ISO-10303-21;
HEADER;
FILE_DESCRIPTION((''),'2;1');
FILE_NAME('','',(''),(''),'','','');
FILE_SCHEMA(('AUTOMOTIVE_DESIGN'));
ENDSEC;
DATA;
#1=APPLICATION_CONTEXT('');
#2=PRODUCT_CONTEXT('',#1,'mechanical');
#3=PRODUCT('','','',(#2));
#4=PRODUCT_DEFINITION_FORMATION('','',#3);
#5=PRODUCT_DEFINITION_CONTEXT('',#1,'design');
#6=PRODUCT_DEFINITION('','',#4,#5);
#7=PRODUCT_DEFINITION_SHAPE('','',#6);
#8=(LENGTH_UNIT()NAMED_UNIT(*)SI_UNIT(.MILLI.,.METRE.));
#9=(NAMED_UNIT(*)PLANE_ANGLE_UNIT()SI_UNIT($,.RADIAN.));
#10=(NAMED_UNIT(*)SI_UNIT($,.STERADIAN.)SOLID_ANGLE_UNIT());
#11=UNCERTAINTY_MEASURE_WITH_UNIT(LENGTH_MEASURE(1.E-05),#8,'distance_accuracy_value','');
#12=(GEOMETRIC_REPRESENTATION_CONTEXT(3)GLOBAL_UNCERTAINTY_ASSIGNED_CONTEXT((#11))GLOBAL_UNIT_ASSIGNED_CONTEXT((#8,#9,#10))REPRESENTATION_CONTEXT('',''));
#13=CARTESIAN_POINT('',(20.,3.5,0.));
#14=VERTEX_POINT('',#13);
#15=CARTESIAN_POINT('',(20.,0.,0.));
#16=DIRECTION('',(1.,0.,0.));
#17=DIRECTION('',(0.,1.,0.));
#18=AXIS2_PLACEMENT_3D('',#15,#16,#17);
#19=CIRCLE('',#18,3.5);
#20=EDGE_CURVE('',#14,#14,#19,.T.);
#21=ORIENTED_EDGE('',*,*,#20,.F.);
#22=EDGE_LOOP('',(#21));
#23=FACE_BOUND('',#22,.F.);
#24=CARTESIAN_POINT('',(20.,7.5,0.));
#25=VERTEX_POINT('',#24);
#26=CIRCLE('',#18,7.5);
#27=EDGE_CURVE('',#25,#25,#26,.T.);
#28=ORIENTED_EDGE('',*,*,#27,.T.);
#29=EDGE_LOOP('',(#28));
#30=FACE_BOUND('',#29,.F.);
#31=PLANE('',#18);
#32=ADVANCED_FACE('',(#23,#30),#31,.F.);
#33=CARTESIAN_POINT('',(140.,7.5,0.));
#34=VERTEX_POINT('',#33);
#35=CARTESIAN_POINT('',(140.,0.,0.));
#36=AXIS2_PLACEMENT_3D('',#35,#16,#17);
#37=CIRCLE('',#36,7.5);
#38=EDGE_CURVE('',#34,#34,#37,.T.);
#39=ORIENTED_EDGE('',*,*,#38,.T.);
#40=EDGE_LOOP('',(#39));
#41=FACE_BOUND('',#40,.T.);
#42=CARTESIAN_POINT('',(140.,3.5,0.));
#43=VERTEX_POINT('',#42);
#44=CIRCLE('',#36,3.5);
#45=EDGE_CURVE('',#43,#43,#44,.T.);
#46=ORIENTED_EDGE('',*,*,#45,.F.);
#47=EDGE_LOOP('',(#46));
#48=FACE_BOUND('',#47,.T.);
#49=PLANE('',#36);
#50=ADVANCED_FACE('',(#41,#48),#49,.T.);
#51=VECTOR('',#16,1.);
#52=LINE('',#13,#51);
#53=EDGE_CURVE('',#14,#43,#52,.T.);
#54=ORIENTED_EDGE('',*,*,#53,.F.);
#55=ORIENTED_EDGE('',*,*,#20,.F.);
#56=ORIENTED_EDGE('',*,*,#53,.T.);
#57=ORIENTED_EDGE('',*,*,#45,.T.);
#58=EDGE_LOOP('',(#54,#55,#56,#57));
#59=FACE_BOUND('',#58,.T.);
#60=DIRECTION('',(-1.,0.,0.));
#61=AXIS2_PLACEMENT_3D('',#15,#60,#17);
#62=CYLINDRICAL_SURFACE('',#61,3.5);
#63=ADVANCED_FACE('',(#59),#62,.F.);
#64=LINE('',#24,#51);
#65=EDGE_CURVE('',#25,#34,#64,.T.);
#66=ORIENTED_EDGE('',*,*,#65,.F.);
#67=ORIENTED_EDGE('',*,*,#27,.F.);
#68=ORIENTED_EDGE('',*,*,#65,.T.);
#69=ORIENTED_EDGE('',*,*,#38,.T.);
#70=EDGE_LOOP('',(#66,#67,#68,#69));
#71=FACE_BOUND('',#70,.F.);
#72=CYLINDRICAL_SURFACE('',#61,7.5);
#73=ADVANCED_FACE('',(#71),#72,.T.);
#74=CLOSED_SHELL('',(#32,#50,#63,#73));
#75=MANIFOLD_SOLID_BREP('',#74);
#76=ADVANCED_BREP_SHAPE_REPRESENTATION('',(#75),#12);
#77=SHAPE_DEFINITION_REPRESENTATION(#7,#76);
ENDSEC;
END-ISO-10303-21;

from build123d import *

# Parameters (mm, degrees)
F1_R     = 7.5
F1_R_2   = 3.5
F2_DEPTH = 120


with BuildPart() as f2:
    # F1 (on offset) → F2 (new body)
    with BuildSketch(Plane.YZ.offset(20)):
        Circle(F1_R)
        Circle(F1_R_2, mode=Mode.SUBTRACT)
    extrude(amount=F2_DEPTH)


solid = f2.part
